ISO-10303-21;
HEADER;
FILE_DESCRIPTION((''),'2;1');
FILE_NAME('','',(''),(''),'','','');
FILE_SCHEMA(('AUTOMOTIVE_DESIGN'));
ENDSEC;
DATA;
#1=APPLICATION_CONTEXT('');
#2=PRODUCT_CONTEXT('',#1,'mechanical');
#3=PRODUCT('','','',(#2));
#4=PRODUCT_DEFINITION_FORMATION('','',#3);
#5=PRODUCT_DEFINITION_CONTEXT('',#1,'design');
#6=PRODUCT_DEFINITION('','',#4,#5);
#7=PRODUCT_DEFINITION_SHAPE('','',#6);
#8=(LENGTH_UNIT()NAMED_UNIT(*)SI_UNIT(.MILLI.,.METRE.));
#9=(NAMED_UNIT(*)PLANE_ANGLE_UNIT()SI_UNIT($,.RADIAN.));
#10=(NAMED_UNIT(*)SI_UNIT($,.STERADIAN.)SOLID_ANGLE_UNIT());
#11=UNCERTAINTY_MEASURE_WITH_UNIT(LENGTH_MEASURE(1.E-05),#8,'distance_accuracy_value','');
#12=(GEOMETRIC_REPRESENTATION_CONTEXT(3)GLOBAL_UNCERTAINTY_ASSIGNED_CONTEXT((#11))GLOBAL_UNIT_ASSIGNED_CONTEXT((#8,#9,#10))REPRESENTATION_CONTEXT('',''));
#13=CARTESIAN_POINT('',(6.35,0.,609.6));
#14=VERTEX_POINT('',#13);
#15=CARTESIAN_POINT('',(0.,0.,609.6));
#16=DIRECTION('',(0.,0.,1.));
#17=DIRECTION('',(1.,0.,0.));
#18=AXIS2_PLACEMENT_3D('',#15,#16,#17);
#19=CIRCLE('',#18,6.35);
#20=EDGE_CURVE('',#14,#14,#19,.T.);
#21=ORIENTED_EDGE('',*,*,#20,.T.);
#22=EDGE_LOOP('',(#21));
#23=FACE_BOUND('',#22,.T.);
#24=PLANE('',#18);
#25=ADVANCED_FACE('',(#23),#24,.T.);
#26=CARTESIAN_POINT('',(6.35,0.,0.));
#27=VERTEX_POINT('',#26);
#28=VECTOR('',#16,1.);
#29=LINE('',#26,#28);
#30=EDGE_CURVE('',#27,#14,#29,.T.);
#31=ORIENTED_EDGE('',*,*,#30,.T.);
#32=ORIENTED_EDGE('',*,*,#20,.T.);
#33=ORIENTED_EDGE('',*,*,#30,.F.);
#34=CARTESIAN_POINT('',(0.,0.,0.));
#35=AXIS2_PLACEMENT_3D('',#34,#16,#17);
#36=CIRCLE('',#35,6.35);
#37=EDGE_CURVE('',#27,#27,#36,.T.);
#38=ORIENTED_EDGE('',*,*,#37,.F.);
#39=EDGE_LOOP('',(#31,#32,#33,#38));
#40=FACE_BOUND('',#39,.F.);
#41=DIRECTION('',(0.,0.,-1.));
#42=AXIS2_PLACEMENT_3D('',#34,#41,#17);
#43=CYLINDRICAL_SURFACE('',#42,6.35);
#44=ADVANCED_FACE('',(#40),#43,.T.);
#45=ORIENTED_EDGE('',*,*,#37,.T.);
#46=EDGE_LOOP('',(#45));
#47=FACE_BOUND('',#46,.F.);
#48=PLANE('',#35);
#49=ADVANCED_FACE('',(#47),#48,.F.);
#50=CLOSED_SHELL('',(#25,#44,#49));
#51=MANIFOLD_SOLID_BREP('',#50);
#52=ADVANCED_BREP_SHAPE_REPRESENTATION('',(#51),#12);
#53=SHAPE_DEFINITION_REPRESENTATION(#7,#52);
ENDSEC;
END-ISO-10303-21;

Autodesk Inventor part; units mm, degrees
ref_plane "YZ Plane" through (0, 0, 0) normal (1, 0, 0) x (0, 1, 0)
ref_plane "XZ Plane" through (0, 0, 0) normal (0, 1, 0) x (-1, 0, 0)
ref_plane "XY Plane" through (0, 0, 0) normal (0, 0, 1) x (1, 0, 0)
sketch "Sketch1" plane through (0, 0, 0) normal (0, 0, 1) x (1, 0, 0)
  circle A0 centre (0, 0) radius 6.35
  dimension "d0" = 12.7
extrude "Extrusion1" add sketch "Sketch1" along normal blind 609.6
properties part number "Unthreaded Rod"
